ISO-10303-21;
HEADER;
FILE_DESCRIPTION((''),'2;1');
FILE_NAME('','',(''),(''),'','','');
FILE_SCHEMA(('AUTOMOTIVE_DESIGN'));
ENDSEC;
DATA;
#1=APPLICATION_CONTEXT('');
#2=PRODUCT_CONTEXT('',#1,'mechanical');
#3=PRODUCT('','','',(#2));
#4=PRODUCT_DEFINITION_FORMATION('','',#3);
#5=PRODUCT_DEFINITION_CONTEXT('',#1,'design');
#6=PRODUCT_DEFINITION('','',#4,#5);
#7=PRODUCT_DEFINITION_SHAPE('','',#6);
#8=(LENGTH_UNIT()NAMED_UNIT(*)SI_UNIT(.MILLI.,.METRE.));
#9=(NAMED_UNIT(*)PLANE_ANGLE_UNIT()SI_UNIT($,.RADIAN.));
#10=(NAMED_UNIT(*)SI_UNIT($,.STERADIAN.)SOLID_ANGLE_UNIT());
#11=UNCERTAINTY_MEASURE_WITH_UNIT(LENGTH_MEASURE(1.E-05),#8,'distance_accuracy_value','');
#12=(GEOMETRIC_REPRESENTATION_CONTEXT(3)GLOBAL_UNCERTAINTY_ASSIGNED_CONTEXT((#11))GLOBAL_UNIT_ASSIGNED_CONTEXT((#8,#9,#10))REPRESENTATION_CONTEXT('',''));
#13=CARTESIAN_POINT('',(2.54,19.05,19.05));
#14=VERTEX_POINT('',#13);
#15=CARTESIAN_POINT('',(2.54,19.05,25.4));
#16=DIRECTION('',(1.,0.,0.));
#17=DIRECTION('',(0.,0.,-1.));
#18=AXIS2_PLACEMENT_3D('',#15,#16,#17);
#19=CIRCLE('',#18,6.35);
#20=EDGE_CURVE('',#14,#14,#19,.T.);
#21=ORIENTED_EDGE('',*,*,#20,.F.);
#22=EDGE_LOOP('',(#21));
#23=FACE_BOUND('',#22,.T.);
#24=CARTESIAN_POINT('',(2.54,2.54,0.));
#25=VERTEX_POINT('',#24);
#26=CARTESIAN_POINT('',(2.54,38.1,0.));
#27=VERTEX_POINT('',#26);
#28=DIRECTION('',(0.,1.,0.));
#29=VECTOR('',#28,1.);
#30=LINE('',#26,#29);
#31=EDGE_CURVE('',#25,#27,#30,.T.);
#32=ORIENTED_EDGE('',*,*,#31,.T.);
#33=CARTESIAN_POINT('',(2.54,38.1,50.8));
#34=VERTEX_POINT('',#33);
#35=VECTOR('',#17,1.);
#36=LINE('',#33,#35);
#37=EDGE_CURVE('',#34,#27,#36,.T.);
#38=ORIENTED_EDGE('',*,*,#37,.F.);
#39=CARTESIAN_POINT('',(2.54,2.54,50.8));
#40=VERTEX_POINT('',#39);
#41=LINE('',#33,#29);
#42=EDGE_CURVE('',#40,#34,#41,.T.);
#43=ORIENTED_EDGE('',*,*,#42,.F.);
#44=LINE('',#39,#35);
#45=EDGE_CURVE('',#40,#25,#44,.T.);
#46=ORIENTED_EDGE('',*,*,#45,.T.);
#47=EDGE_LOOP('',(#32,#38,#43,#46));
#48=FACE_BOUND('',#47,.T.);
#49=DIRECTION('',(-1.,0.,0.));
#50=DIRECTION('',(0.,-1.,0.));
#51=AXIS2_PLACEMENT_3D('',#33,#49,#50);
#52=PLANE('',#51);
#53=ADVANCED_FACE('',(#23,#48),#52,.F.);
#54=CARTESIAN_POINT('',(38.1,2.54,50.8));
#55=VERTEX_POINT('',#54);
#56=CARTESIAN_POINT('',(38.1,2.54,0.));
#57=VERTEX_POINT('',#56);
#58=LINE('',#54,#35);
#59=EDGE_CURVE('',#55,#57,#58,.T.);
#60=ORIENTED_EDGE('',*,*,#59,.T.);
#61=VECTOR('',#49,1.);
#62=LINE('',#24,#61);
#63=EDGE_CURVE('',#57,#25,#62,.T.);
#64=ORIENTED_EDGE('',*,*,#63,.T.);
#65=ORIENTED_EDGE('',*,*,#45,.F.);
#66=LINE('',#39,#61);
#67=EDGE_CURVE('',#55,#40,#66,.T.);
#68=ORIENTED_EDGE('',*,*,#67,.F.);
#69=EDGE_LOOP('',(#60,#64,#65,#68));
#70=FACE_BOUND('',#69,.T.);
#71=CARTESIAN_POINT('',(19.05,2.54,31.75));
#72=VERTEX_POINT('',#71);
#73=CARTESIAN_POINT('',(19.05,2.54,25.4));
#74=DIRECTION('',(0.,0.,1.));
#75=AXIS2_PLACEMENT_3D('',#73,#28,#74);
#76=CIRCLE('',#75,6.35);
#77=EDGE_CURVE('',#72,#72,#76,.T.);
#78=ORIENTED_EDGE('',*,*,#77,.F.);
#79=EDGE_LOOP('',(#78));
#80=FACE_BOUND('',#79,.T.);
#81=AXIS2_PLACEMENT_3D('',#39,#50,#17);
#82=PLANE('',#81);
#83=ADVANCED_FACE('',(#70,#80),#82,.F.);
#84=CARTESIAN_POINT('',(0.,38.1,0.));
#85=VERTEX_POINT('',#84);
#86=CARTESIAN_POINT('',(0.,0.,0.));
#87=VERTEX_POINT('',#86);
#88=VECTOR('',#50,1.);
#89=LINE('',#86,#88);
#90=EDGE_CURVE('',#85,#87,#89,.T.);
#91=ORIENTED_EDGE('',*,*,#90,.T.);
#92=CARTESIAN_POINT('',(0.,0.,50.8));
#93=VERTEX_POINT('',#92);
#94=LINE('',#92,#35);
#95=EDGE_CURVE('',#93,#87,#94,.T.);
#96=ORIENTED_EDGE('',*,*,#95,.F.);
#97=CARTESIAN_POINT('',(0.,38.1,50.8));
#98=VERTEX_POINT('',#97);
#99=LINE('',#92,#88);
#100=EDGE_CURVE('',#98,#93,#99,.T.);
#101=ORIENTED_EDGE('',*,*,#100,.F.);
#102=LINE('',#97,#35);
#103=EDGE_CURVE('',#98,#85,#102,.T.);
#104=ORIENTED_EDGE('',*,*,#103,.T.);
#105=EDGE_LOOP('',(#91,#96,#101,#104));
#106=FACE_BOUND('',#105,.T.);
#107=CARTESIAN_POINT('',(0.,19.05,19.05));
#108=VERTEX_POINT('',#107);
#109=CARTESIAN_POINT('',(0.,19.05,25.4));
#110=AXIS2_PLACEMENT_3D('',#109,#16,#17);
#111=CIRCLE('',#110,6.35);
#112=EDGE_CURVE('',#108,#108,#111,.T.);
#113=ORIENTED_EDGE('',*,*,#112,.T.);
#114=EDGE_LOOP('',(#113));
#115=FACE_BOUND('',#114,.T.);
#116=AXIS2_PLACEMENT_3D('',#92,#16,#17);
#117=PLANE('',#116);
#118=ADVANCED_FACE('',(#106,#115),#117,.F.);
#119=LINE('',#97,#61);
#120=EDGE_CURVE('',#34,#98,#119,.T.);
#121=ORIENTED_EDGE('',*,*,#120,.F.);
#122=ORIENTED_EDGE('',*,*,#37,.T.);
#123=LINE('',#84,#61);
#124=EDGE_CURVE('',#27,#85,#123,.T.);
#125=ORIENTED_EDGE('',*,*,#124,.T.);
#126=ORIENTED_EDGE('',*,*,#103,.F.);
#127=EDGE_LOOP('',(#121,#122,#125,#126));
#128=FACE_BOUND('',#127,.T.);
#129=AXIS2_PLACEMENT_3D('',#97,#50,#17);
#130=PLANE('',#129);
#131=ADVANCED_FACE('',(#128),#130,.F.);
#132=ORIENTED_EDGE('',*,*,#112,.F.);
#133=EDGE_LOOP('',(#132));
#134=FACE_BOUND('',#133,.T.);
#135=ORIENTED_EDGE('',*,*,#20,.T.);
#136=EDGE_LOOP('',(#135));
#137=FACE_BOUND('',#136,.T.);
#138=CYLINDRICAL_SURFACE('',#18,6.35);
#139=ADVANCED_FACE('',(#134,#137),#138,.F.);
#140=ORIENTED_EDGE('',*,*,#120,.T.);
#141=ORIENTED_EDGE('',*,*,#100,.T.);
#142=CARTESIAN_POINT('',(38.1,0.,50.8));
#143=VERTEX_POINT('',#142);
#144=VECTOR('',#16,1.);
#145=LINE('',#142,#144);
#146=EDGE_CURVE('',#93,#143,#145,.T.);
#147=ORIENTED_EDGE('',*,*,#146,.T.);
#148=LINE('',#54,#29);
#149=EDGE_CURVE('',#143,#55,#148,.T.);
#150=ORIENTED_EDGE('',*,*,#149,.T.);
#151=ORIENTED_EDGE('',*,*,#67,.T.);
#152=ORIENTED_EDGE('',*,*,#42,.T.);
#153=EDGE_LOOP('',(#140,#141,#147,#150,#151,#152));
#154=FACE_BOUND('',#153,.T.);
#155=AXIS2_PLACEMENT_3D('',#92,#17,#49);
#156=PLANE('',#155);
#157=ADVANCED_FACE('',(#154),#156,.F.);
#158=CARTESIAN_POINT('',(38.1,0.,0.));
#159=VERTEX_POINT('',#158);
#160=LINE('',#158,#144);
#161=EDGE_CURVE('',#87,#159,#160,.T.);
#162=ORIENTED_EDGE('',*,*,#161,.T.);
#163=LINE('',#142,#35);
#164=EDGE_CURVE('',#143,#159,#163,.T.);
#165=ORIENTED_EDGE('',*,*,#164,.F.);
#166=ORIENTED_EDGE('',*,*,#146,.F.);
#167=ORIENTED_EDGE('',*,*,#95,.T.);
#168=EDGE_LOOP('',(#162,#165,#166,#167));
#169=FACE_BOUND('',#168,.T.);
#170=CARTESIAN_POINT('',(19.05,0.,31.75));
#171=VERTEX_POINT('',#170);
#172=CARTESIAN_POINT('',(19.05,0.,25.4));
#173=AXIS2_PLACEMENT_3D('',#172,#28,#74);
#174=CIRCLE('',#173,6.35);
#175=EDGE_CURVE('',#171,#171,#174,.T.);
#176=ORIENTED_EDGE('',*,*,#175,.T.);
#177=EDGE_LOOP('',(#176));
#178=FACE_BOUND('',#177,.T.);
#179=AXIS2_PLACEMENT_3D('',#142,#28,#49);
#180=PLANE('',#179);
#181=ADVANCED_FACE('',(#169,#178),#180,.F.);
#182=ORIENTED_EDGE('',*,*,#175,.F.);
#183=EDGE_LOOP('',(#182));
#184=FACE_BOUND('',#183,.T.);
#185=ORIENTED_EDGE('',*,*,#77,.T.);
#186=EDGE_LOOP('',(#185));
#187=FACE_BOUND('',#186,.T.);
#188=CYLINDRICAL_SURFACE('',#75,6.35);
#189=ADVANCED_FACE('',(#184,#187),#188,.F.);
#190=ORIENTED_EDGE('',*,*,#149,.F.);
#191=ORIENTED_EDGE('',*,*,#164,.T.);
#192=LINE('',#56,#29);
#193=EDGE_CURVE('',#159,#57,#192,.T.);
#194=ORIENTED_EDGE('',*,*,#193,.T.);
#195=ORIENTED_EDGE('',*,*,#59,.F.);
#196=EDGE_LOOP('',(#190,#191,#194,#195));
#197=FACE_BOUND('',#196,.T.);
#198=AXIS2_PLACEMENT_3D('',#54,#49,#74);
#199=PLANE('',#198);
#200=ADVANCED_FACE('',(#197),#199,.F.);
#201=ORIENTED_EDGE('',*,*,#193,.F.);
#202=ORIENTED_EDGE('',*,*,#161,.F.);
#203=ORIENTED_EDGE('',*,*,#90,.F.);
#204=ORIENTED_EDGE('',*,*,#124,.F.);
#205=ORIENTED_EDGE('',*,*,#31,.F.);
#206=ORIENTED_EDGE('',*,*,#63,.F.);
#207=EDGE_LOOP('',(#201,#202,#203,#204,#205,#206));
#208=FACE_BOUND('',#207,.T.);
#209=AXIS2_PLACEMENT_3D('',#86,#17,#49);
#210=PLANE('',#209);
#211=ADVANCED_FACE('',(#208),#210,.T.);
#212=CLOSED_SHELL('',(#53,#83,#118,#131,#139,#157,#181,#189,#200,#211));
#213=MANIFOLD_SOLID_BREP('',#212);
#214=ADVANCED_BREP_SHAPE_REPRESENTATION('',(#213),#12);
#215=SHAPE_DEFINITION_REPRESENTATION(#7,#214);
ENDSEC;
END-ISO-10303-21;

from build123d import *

# Parameters (mm, degrees)
BOSS_EXTRUDE1_DEPTH       = 50.8
F_97_0_5_DIAMETER_HOLE1_D = 12.7
F_97_0_5_DIAMETER_HOLE2_D = 12.7


with BuildPart() as part:
    # Sketch1 → Boss-Extrude1 (new body)
    with BuildSketch(Plane.XY):
        Polygon((0, 0), (0, 38.1), (2.54, 38.1), (2.54, 2.54), (38.1, 2.54), (38.1, 0), align=None)
    extrude(amount=BOSS_EXTRUDE1_DEPTH)

    # #97 (0.5) Diameter Hole1 (through all)
    with Locations(Plane(origin=(2.54, 19.05, 25.4), x_dir=(0, 1, 0), z_dir=(1, 0, 0))):
        with Locations((0, 0)):
            Hole(F_97_0_5_DIAMETER_HOLE1_D / 2)

    # #97 (0.5) Diameter Hole2 (through all)
    with Locations(Plane(origin=(0, 2.54, 0), x_dir=(1, 0, 0), z_dir=(0, 1, 0))):
        with Locations((19.05, -25.4)):
            Hole(F_97_0_5_DIAMETER_HOLE2_D / 2)


solid = part.part
